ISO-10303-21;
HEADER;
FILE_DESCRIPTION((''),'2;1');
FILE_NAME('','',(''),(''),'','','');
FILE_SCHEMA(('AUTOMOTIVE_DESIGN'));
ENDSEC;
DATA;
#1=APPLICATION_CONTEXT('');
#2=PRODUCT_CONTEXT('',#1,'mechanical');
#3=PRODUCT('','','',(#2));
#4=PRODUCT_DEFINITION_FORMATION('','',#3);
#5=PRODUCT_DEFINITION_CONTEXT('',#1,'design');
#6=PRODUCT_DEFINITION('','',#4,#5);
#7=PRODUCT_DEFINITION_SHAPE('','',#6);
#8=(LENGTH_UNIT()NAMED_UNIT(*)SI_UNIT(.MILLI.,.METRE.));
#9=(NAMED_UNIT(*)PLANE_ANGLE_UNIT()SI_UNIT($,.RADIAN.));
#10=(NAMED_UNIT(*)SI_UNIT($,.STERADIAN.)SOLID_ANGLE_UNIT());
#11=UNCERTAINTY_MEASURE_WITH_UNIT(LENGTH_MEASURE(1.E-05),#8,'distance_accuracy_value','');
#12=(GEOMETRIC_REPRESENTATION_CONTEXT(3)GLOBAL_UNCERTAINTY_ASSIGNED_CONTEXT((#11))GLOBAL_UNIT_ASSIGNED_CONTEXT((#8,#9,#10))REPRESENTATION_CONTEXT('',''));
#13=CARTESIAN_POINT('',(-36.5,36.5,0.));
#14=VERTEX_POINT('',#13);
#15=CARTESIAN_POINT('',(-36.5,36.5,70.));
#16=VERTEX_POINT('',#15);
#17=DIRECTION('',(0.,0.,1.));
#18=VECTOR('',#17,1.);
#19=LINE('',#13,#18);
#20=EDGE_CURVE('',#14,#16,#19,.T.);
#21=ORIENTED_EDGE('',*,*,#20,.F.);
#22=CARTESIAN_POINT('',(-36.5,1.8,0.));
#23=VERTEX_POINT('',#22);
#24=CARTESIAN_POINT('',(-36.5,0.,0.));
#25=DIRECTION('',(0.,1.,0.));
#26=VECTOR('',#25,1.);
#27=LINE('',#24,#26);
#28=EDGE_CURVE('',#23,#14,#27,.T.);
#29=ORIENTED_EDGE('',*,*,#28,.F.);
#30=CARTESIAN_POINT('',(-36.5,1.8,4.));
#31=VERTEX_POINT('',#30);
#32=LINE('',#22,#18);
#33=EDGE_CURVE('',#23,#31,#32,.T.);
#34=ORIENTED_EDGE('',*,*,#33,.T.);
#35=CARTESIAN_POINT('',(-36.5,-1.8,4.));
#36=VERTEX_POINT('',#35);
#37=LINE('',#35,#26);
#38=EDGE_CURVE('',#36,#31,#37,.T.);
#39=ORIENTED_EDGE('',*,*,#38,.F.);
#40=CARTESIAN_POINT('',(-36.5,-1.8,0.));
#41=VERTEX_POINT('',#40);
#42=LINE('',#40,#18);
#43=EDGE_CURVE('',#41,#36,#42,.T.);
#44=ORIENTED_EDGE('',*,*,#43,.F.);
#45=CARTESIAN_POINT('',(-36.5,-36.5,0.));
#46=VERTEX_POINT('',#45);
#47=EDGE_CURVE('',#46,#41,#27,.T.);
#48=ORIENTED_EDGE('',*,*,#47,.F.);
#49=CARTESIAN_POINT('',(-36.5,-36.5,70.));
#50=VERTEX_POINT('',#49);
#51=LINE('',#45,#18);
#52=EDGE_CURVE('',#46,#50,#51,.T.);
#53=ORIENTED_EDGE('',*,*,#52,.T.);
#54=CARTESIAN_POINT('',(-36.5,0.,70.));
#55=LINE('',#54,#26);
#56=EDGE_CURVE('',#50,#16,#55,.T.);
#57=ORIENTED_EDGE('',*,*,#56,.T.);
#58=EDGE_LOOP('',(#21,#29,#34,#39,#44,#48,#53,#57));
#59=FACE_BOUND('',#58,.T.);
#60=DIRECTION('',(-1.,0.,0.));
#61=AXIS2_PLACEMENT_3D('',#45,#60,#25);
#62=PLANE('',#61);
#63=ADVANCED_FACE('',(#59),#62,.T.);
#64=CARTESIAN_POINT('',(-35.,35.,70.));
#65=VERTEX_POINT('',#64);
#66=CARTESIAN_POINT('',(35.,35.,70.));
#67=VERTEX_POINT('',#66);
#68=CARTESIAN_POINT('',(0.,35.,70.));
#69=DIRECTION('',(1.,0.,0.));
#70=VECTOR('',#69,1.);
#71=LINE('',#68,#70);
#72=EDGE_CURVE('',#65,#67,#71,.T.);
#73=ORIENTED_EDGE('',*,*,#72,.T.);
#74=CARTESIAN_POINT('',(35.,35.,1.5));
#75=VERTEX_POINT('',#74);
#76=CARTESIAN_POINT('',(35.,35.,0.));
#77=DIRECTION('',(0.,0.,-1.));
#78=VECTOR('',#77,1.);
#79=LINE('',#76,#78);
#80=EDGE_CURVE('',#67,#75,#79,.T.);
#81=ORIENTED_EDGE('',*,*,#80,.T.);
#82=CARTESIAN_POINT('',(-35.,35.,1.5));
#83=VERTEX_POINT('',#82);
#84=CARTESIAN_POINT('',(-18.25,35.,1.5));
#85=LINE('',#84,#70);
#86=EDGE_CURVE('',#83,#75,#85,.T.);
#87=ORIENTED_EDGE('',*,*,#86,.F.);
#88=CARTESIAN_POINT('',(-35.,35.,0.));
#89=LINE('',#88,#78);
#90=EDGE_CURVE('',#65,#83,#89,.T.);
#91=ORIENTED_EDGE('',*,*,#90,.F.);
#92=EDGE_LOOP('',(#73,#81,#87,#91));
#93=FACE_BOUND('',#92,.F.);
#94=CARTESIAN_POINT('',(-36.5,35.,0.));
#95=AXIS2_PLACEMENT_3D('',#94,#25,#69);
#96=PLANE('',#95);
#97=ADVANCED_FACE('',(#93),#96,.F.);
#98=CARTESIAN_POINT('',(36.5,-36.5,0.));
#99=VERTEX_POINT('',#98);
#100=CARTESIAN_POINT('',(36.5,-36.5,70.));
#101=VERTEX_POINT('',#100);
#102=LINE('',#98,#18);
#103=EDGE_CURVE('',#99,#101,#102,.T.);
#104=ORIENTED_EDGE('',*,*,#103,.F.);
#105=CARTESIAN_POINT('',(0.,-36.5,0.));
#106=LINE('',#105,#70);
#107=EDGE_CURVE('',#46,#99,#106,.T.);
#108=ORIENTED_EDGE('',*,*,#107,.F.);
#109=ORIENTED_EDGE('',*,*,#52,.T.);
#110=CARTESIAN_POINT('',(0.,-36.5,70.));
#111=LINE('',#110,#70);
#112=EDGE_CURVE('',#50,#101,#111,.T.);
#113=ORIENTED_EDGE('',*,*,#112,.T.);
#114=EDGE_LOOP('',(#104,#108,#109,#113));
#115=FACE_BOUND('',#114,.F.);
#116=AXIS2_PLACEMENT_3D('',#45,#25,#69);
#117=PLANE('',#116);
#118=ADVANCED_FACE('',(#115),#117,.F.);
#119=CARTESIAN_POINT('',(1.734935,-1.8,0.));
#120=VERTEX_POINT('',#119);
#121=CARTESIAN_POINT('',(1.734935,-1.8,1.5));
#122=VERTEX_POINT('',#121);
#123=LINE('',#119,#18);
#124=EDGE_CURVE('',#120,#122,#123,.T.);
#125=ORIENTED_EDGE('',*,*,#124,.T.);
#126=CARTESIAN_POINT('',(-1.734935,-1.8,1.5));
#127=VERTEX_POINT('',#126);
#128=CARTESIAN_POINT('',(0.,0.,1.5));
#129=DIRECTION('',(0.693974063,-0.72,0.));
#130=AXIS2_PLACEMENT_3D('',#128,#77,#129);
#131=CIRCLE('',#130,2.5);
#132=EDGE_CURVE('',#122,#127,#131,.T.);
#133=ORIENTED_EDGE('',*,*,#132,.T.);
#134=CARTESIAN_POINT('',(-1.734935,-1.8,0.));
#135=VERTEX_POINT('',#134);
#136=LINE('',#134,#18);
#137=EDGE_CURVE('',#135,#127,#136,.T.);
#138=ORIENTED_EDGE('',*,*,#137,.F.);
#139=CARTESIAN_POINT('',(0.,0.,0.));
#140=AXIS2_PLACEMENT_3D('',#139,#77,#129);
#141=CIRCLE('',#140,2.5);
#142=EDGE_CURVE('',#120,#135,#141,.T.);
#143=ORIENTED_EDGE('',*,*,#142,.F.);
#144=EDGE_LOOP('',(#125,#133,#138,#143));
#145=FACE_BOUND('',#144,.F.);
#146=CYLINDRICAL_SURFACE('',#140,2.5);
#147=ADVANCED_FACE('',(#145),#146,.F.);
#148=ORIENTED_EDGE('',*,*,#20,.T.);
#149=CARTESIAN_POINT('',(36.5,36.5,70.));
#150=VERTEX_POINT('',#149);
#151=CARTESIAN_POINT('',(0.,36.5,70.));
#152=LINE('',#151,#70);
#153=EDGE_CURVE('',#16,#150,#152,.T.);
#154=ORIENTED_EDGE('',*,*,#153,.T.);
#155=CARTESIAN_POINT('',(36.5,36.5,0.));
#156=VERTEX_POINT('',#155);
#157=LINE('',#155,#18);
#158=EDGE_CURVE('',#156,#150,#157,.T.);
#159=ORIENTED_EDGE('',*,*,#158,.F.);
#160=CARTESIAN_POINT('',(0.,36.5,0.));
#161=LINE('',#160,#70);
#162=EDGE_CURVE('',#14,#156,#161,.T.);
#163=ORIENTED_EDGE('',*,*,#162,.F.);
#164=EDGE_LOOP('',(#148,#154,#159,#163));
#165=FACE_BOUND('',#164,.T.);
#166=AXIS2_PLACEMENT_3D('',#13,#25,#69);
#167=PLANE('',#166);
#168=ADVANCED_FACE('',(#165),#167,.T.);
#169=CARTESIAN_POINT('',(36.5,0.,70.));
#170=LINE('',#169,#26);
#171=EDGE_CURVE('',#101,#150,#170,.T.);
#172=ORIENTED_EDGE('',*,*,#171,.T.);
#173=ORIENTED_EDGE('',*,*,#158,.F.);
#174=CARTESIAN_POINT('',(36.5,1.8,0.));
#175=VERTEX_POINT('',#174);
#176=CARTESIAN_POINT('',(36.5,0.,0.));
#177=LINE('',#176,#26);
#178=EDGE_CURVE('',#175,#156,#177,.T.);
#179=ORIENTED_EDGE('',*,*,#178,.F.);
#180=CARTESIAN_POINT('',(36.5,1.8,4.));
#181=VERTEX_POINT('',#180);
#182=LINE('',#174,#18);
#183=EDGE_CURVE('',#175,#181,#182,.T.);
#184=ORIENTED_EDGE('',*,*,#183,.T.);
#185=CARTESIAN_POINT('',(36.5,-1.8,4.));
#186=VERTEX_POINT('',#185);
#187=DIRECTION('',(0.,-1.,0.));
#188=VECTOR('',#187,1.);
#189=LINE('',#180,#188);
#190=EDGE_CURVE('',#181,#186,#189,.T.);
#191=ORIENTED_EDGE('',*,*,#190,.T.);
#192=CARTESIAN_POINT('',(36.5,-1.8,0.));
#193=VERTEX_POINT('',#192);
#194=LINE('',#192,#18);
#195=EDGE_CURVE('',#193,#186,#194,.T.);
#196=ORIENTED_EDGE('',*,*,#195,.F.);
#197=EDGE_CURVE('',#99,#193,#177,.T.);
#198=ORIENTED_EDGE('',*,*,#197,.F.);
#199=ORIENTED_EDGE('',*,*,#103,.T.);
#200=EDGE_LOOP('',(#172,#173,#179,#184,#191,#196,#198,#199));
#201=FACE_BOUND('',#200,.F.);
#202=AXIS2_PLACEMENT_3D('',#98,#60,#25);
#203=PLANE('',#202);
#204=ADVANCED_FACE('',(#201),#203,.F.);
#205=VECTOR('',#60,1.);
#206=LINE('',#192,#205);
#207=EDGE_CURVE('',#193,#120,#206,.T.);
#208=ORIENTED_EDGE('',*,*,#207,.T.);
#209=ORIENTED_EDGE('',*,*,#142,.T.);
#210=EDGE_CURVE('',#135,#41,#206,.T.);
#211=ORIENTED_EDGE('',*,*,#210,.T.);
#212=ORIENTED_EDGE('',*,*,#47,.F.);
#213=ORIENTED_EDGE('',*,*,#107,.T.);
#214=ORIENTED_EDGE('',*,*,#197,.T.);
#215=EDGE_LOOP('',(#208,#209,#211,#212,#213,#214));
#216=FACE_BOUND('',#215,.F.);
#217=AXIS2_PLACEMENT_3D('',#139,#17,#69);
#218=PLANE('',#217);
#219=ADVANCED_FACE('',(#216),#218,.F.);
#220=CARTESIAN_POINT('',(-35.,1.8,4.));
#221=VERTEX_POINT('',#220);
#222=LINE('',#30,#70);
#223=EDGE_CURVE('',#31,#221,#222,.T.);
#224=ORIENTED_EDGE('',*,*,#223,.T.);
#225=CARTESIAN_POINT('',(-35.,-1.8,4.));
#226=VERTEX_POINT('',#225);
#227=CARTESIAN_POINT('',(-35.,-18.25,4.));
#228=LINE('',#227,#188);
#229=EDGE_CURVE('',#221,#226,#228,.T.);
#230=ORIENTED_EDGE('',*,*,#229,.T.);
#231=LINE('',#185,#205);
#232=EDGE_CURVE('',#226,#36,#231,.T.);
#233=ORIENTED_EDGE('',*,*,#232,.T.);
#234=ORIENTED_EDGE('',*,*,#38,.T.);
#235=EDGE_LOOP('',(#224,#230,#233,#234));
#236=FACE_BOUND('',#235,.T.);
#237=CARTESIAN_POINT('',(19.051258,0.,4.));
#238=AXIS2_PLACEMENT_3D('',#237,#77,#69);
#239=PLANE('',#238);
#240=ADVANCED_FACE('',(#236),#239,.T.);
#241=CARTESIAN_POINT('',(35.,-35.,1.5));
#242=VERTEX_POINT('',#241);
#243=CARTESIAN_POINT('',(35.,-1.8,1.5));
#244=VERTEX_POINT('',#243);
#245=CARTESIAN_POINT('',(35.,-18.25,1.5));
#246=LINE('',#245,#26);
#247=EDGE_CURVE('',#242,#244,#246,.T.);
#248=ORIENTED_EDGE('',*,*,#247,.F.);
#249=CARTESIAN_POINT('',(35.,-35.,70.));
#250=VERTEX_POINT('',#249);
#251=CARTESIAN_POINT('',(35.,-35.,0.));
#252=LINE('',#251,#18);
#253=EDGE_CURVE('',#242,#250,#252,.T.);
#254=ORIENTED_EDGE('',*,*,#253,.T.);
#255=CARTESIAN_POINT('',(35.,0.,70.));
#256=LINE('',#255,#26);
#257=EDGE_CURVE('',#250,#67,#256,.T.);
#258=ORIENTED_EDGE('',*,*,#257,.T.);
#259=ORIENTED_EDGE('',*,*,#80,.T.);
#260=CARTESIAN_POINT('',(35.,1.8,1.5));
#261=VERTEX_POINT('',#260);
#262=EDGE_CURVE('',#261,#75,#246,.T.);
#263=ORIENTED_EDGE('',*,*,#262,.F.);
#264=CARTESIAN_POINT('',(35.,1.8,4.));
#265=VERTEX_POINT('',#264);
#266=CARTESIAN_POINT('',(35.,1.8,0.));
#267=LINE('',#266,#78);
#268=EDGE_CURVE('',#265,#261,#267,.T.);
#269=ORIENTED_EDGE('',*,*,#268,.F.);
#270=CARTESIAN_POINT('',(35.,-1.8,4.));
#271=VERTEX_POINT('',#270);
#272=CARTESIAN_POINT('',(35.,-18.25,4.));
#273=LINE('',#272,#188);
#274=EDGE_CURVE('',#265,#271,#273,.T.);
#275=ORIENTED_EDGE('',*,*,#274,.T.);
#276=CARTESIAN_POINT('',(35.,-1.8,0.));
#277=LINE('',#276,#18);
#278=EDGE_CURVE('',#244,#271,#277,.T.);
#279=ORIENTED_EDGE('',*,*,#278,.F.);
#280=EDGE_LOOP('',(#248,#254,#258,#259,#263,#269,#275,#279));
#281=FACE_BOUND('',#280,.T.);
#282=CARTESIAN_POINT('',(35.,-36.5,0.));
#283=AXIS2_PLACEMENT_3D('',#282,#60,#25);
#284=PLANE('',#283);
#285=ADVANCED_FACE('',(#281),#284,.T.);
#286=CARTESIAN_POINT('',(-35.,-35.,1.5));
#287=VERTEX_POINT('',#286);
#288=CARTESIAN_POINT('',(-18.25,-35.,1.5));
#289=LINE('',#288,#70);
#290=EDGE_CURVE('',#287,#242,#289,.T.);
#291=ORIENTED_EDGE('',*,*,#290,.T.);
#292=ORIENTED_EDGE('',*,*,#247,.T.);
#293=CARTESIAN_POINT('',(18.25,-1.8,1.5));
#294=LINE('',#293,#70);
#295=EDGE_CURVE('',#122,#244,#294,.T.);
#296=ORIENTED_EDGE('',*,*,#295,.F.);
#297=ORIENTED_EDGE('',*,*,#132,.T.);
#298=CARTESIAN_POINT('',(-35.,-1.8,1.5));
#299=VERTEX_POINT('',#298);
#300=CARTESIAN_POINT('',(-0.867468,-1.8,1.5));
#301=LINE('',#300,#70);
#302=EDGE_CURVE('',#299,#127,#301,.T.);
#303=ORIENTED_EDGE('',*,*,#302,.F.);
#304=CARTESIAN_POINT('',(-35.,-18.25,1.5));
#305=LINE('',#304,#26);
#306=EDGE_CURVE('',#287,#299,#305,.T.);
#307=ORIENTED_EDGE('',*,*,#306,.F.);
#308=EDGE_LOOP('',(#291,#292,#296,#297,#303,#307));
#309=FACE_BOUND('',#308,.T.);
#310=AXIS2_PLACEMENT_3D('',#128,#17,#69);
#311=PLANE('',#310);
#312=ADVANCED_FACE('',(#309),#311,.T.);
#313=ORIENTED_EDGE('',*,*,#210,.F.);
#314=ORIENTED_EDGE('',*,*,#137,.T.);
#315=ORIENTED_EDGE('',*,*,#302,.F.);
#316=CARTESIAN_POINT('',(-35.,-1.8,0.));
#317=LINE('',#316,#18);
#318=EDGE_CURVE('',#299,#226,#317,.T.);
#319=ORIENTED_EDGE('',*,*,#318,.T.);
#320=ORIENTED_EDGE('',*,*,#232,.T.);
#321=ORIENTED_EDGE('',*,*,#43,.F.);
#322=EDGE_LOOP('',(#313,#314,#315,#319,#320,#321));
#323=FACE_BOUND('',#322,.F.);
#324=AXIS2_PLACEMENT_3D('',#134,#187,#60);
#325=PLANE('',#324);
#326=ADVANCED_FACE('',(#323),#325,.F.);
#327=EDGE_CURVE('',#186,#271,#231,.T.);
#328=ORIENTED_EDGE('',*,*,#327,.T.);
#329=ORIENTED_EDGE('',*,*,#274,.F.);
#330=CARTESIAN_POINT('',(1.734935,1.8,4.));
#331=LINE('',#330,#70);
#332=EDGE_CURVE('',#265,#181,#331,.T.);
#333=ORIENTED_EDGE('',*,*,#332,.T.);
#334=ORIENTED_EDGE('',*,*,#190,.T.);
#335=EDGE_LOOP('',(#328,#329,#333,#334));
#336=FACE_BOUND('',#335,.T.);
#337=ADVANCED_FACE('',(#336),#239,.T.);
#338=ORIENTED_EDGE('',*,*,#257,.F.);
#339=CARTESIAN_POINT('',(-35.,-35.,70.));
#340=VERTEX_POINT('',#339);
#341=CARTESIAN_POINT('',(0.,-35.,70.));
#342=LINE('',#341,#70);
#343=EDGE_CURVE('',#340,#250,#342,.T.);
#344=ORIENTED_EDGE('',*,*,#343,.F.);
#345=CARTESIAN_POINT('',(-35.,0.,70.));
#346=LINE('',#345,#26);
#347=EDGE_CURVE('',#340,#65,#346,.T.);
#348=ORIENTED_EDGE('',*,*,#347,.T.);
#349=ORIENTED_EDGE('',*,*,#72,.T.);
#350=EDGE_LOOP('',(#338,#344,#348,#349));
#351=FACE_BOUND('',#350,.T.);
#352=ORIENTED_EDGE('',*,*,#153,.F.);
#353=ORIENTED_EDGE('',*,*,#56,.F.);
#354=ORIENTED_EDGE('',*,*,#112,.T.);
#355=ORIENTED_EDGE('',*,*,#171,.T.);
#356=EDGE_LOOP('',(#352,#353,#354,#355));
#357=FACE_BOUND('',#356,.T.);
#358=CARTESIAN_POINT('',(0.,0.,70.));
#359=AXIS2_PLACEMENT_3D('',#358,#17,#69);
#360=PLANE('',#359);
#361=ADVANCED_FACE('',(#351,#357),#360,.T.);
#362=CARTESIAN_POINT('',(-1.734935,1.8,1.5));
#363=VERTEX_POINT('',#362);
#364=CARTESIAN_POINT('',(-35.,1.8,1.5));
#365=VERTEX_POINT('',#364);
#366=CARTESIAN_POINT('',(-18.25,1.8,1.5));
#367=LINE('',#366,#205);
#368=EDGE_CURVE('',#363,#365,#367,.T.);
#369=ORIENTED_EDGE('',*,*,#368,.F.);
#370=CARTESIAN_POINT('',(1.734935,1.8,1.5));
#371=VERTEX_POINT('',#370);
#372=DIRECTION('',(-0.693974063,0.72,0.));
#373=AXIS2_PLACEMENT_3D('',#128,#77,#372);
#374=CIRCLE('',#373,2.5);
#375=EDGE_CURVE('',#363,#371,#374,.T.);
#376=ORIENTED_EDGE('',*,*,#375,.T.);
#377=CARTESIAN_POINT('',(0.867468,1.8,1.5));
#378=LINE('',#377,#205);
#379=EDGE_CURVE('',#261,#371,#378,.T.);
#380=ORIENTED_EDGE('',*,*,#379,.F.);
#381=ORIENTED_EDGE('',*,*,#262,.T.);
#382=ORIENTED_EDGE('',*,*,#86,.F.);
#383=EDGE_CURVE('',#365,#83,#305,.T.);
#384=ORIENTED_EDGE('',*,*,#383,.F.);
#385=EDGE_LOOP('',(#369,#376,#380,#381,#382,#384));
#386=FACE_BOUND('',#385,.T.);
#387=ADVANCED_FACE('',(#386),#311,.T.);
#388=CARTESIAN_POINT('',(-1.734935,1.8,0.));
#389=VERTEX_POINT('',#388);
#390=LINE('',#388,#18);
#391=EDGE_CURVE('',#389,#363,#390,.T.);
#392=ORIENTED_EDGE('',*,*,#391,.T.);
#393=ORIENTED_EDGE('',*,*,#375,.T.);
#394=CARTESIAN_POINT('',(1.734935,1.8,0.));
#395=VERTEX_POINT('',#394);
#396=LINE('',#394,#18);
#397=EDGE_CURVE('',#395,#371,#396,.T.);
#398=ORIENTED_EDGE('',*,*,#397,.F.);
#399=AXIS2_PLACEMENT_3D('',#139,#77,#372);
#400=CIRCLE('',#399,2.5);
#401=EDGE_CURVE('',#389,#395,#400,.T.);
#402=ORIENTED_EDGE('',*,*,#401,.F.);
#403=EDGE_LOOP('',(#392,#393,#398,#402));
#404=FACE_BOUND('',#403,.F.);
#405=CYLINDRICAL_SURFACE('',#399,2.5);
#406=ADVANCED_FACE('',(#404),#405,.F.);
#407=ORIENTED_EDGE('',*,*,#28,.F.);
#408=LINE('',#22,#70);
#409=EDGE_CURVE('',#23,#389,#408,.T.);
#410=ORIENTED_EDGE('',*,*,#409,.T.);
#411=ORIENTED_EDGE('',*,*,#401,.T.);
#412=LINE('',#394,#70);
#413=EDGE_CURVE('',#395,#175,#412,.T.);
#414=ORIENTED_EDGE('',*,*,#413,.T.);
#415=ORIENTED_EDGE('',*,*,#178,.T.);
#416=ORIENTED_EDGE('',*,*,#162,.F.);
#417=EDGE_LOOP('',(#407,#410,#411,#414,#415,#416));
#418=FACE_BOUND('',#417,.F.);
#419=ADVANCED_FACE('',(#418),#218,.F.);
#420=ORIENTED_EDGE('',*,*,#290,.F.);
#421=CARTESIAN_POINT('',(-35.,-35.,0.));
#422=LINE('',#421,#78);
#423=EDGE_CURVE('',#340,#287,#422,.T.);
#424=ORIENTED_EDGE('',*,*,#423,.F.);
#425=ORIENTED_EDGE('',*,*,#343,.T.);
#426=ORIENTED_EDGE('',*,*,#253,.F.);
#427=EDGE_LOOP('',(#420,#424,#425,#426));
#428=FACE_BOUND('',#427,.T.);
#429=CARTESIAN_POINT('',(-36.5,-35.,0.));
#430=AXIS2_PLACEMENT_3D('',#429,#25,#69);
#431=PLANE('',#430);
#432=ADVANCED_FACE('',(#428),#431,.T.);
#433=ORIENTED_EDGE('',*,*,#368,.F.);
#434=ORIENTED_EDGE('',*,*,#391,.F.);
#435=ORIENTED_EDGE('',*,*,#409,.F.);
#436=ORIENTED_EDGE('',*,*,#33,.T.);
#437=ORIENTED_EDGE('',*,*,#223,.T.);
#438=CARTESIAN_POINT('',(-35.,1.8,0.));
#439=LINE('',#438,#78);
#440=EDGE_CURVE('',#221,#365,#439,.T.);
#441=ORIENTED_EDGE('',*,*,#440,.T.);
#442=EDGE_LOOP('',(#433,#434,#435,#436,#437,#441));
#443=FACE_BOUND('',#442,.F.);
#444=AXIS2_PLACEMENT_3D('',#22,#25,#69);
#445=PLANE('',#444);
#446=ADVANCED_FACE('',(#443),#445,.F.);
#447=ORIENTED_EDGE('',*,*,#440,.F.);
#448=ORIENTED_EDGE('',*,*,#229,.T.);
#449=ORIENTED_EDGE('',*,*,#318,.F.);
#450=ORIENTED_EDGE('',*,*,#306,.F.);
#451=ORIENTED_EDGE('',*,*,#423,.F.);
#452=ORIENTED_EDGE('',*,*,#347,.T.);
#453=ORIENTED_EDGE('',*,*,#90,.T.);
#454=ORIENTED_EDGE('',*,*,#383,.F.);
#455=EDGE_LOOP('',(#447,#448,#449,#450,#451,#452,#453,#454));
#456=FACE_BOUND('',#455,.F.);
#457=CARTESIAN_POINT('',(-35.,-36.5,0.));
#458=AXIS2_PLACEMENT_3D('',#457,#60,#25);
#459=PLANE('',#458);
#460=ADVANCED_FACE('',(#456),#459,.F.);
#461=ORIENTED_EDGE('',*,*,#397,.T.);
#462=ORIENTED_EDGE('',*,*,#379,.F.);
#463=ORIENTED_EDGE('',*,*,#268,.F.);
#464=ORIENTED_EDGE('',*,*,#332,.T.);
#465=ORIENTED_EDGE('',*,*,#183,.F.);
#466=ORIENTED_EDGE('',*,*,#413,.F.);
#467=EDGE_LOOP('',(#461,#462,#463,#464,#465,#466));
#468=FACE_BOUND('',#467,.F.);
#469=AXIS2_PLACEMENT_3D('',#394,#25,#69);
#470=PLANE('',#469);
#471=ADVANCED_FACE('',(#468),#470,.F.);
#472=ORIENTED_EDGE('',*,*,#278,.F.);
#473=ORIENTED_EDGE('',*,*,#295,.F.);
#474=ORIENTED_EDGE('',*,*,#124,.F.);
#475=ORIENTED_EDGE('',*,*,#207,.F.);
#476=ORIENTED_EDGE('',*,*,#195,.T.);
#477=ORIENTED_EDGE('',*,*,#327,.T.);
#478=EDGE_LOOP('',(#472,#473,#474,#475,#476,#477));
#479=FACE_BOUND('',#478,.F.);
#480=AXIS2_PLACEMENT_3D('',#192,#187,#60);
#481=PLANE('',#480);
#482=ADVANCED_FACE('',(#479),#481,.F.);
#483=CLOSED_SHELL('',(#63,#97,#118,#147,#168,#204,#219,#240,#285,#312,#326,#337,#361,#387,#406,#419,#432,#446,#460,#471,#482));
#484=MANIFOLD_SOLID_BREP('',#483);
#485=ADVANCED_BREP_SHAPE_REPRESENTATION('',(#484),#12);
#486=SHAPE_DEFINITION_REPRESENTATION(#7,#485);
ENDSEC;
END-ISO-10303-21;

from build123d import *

# Parameters (mm, degrees)
F0_W     = 73
F0_H     = 73
F1_DEPTH = 70
F2_T     = -1.5
F4_DEPTH = 4


with BuildPart() as f1:
    # F0 (on Top) → F1 (new body)
    with BuildSketch(Plane.XY):
        Rectangle(F0_W, F0_H)
    extrude(amount=F1_DEPTH)

    # F2
    f2_openings = [f1.faces().sort_by_distance(p)[0] for p in [
        (0, 0, 70),
    ]]
    offset(amount=F2_T, openings=f2_openings)

    # F3 (on face) → F4 (cut)
    with BuildSketch(Plane(origin=(0, 0, 0), x_dir=(1, 0, 0), z_dir=(0, 0, -1))):
        with BuildLine():
            Line((1.7349351573, -1.8), (36.5, -1.8))
            Line((36.5, -1.8), (36.5, 1.8))
            Line((36.5, 1.8), (1.7349351573, 1.8))
            ThreePointArc((1.7349351573, 1.8), (2.3007974588, 0.9779218033), (2.5, 0))
            ThreePointArc((2.5, 0), (2.3007974588, -0.9779218033), (1.7349351573, -1.8))
        make_face()
        with BuildLine():
            ThreePointArc((-1.7349351573, -1.8), (0, -2.5), (1.7349351573, -1.8))
            Line((1.7349351573, -1.8), (-1.7349351573, -1.8))
        make_face()
        with BuildLine():
            Line((-1.7349351573, -1.8), (1.7349351573, -1.8))
            ThreePointArc((1.7349351573, -1.8), (2.3007974588, -0.9779218033), (2.5, 0))
            ThreePointArc((2.5, 0), (2.3007974588, 0.9779218033), (1.7349351573, 1.8))
            Line((1.7349351573, 1.8), (-1.7349351573, 1.8))
            ThreePointArc((-1.7349351573, 1.8), (-2.5, 0), (-1.7349351573, -1.8))
        make_face()
        with BuildLine():
            Line((-36.5, -1.8), (-1.7349351573, -1.8))
            ThreePointArc((-1.7349351573, -1.8), (-2.5, 0), (-1.7349351573, 1.8))
            Line((-1.7349351573, 1.8), (-36.5, 1.8))
            Line((-36.5, 1.8), (-36.5, -1.8))
        make_face()
        with BuildLine():
            Line((-1.7349351573, 1.8), (1.7349351573, 1.8))
            ThreePointArc((1.7349351573, 1.8), (0, 2.5), (-1.7349351573, 1.8))
        make_face()
    extrude(amount=-F4_DEPTH, mode=Mode.SUBTRACT)


solid = f1.part
